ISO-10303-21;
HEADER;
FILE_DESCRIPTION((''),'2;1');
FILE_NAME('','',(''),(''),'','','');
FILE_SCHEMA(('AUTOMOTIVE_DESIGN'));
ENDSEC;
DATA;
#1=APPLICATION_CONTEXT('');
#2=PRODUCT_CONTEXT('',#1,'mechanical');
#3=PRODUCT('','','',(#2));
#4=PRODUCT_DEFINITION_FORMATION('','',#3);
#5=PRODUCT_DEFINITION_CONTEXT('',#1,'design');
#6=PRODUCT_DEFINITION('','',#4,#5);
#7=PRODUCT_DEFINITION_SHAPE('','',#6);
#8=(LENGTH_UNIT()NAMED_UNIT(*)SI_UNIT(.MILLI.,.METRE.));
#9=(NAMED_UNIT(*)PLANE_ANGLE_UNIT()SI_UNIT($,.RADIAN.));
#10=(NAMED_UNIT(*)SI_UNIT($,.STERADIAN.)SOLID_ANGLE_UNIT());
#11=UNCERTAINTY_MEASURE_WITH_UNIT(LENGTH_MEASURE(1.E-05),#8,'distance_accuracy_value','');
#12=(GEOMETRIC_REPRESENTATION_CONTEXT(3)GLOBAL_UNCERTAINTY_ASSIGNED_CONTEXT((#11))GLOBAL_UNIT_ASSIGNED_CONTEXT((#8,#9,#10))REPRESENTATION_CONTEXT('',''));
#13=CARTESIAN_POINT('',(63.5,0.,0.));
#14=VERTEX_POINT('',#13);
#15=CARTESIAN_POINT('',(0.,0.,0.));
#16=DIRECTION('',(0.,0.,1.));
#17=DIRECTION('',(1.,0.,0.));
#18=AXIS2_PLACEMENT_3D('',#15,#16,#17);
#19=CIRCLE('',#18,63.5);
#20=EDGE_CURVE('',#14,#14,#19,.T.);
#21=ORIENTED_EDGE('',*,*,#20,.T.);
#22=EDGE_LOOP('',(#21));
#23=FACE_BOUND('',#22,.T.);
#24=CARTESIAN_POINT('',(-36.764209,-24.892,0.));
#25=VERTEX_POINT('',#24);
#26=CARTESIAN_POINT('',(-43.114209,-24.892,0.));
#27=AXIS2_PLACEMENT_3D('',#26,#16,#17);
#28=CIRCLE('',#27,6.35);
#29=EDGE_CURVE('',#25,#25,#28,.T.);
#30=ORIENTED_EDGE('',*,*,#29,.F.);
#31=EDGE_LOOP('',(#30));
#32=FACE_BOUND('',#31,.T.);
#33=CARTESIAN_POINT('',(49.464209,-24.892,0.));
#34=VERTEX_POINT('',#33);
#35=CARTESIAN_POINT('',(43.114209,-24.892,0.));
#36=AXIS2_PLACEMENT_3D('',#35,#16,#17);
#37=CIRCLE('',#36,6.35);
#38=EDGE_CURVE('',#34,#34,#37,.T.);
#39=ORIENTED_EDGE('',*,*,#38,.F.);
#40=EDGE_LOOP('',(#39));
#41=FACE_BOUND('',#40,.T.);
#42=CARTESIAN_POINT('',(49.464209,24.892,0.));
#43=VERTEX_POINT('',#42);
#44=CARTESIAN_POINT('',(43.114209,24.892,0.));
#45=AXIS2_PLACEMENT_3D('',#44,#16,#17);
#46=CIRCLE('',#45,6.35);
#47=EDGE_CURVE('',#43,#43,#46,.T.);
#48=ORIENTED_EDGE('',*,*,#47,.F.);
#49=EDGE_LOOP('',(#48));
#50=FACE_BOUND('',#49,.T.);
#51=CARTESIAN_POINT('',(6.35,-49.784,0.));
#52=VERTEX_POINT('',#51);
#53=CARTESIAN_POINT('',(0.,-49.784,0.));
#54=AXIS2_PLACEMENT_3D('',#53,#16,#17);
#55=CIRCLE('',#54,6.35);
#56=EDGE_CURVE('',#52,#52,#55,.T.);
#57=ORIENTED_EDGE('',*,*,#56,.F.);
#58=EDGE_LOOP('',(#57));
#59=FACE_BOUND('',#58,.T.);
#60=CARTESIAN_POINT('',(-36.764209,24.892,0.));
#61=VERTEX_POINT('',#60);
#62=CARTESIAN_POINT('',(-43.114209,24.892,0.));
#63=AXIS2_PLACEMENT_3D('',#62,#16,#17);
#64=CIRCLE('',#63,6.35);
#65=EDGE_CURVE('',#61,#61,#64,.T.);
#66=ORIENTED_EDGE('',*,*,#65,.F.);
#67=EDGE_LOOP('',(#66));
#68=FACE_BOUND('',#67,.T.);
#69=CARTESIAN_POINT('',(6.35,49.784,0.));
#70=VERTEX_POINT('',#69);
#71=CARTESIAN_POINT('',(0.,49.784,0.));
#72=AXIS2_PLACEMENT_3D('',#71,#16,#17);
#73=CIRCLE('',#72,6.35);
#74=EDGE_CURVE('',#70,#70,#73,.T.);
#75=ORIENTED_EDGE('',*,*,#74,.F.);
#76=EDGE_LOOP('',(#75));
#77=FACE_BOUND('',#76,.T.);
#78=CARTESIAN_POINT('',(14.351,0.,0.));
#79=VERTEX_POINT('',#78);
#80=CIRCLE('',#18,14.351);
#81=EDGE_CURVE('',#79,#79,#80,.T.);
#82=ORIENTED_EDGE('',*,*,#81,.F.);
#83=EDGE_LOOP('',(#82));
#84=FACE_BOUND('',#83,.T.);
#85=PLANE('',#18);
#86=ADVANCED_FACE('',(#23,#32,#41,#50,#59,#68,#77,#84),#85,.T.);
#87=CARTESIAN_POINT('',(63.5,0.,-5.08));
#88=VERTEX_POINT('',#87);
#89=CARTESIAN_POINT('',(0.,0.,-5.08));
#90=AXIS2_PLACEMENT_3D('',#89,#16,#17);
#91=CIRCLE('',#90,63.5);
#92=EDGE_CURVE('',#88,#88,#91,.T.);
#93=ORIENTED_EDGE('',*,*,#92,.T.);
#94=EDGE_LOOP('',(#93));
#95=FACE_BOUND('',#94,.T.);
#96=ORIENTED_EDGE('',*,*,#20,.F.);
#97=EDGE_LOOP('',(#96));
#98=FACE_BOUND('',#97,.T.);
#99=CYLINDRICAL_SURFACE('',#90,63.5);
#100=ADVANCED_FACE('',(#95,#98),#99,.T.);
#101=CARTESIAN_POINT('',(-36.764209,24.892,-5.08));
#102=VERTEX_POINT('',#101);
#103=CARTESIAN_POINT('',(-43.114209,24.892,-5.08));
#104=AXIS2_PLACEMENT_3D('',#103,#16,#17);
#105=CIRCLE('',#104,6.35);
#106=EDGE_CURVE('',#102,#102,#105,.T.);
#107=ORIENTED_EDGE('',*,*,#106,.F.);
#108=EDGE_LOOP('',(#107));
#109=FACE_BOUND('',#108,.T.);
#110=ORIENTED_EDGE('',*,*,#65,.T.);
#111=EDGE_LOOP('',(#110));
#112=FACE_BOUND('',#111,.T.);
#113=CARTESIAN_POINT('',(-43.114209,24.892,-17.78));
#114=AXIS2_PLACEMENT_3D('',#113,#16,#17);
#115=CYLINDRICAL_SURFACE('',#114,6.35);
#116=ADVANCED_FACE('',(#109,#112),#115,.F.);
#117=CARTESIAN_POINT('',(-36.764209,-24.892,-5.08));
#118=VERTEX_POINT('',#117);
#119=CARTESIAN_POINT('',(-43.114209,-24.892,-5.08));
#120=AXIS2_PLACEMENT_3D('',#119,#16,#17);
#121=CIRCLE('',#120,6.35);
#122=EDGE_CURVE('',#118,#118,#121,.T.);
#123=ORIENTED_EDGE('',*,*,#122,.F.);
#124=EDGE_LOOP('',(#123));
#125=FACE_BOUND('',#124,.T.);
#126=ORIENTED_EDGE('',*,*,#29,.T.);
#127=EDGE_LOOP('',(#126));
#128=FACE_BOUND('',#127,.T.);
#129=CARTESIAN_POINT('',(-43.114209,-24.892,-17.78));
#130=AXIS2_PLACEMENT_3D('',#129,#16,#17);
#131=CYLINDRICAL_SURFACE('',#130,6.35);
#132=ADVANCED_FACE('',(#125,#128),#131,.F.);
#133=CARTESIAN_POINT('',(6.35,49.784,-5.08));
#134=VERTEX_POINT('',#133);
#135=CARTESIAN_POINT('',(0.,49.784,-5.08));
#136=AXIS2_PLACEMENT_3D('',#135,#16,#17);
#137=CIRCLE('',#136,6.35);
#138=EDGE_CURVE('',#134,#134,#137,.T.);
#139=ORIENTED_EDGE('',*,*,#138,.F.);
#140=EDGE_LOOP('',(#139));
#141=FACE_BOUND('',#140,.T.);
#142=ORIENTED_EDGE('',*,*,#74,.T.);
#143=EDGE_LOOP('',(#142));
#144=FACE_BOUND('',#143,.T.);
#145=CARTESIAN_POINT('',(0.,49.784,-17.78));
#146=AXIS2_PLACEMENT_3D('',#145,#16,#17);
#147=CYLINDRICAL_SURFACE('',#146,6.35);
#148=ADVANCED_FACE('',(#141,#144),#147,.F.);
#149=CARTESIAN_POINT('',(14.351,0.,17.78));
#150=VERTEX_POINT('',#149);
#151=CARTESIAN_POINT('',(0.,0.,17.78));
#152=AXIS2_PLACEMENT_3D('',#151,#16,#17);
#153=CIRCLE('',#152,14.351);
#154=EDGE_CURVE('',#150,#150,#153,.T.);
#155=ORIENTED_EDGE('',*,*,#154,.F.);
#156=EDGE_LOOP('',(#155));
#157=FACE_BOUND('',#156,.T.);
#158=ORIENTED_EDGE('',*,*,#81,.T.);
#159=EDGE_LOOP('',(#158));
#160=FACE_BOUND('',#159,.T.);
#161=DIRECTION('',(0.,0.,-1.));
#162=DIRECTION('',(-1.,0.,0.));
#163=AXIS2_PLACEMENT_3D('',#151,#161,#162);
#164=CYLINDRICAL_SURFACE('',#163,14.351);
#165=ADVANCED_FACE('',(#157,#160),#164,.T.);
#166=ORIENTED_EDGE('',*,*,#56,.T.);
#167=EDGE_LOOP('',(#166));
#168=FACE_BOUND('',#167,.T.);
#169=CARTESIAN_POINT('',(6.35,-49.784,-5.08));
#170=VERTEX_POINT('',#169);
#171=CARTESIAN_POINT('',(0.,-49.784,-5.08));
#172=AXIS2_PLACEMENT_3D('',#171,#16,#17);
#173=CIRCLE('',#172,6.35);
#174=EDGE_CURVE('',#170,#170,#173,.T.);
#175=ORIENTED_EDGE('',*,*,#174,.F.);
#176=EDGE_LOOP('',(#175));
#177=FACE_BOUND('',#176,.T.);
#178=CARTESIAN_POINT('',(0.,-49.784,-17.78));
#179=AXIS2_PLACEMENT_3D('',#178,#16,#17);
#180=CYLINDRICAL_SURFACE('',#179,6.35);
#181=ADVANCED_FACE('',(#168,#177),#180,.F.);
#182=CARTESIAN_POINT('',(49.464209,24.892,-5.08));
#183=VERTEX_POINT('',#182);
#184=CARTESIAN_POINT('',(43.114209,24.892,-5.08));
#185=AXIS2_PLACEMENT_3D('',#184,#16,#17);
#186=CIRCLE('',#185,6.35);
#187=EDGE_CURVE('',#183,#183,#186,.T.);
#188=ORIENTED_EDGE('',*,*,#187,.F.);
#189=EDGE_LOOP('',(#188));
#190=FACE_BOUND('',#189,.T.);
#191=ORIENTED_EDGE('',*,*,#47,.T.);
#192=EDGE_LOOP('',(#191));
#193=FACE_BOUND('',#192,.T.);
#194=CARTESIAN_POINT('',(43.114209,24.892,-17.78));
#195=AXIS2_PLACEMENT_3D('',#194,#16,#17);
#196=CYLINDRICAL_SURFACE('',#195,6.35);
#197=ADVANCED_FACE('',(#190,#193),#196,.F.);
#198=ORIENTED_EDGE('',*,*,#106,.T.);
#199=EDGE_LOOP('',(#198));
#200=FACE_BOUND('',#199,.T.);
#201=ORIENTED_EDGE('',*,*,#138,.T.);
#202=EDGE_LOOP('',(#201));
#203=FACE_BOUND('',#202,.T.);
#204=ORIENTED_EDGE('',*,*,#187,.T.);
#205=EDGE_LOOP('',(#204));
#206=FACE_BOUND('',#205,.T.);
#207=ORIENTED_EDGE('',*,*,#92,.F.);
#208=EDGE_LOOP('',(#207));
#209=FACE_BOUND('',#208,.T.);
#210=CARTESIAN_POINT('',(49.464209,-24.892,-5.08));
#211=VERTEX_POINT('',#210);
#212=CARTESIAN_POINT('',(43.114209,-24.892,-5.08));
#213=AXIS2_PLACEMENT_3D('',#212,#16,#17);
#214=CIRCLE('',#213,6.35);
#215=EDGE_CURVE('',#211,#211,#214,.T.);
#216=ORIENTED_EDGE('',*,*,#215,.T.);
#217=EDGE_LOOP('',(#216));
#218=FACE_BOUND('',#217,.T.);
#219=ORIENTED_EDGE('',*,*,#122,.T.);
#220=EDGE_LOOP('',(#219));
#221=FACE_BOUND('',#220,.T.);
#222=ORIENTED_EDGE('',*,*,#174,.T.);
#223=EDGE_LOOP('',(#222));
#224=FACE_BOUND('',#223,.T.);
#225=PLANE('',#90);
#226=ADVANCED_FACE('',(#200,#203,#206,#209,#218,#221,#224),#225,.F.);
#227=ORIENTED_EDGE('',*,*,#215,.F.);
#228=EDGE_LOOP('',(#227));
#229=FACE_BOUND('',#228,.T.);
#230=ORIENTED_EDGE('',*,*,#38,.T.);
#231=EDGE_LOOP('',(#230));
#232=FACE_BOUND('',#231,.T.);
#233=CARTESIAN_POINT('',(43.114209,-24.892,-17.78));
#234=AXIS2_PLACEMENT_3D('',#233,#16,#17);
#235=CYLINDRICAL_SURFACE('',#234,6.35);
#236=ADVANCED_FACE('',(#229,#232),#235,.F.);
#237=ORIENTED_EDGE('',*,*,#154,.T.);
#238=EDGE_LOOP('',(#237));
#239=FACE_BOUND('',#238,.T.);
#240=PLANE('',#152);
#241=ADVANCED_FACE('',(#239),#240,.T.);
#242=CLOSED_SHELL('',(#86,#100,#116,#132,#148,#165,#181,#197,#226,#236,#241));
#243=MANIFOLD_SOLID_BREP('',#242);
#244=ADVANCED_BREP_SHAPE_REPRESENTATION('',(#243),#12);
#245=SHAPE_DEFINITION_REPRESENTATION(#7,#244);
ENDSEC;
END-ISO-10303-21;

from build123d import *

# Parameters (mm, degrees)
SKETCH4_R           = 63.5
BOSS_EXTRUDE1_DEPTH = 5.08
SKETCH5_R           = 14.351
BOSS_EXTRUDE2_DEPTH = 17.78
SKETCH6_R           = 6.35
CUT_EXTRUDE1_DEPTH  = 17.78


with BuildPart() as part:
    # Sketch4 → Boss-Extrude1 (new body)
    with BuildSketch(Plane.XY):
        Circle(SKETCH4_R)
    extrude(amount=-BOSS_EXTRUDE1_DEPTH)

    # Sketch5 → Boss-Extrude2 (add)
    with BuildSketch(Plane.XY):
        Circle(SKETCH5_R)
    extrude(amount=BOSS_EXTRUDE2_DEPTH)

    # Sketch6 → Cut-Extrude1 (cut)
    with BuildSketch(Plane.XY):
        with Locations((0, 49.784)):
            Circle(SKETCH6_R)
        with Locations((43.114208702, 24.892)):
            Circle(SKETCH6_R)
        with Locations((43.114208702, -24.892)):
            Circle(SKETCH6_R)
        with Locations((0, -49.784)):
            Circle(SKETCH6_R)
        with Locations((-43.114208702, -24.892)):
            Circle(SKETCH6_R)
        with Locations((-43.114208702, 24.892)):
            Circle(SKETCH6_R)
    extrude(amount=-CUT_EXTRUDE1_DEPTH, mode=Mode.SUBTRACT)


solid = part.part
